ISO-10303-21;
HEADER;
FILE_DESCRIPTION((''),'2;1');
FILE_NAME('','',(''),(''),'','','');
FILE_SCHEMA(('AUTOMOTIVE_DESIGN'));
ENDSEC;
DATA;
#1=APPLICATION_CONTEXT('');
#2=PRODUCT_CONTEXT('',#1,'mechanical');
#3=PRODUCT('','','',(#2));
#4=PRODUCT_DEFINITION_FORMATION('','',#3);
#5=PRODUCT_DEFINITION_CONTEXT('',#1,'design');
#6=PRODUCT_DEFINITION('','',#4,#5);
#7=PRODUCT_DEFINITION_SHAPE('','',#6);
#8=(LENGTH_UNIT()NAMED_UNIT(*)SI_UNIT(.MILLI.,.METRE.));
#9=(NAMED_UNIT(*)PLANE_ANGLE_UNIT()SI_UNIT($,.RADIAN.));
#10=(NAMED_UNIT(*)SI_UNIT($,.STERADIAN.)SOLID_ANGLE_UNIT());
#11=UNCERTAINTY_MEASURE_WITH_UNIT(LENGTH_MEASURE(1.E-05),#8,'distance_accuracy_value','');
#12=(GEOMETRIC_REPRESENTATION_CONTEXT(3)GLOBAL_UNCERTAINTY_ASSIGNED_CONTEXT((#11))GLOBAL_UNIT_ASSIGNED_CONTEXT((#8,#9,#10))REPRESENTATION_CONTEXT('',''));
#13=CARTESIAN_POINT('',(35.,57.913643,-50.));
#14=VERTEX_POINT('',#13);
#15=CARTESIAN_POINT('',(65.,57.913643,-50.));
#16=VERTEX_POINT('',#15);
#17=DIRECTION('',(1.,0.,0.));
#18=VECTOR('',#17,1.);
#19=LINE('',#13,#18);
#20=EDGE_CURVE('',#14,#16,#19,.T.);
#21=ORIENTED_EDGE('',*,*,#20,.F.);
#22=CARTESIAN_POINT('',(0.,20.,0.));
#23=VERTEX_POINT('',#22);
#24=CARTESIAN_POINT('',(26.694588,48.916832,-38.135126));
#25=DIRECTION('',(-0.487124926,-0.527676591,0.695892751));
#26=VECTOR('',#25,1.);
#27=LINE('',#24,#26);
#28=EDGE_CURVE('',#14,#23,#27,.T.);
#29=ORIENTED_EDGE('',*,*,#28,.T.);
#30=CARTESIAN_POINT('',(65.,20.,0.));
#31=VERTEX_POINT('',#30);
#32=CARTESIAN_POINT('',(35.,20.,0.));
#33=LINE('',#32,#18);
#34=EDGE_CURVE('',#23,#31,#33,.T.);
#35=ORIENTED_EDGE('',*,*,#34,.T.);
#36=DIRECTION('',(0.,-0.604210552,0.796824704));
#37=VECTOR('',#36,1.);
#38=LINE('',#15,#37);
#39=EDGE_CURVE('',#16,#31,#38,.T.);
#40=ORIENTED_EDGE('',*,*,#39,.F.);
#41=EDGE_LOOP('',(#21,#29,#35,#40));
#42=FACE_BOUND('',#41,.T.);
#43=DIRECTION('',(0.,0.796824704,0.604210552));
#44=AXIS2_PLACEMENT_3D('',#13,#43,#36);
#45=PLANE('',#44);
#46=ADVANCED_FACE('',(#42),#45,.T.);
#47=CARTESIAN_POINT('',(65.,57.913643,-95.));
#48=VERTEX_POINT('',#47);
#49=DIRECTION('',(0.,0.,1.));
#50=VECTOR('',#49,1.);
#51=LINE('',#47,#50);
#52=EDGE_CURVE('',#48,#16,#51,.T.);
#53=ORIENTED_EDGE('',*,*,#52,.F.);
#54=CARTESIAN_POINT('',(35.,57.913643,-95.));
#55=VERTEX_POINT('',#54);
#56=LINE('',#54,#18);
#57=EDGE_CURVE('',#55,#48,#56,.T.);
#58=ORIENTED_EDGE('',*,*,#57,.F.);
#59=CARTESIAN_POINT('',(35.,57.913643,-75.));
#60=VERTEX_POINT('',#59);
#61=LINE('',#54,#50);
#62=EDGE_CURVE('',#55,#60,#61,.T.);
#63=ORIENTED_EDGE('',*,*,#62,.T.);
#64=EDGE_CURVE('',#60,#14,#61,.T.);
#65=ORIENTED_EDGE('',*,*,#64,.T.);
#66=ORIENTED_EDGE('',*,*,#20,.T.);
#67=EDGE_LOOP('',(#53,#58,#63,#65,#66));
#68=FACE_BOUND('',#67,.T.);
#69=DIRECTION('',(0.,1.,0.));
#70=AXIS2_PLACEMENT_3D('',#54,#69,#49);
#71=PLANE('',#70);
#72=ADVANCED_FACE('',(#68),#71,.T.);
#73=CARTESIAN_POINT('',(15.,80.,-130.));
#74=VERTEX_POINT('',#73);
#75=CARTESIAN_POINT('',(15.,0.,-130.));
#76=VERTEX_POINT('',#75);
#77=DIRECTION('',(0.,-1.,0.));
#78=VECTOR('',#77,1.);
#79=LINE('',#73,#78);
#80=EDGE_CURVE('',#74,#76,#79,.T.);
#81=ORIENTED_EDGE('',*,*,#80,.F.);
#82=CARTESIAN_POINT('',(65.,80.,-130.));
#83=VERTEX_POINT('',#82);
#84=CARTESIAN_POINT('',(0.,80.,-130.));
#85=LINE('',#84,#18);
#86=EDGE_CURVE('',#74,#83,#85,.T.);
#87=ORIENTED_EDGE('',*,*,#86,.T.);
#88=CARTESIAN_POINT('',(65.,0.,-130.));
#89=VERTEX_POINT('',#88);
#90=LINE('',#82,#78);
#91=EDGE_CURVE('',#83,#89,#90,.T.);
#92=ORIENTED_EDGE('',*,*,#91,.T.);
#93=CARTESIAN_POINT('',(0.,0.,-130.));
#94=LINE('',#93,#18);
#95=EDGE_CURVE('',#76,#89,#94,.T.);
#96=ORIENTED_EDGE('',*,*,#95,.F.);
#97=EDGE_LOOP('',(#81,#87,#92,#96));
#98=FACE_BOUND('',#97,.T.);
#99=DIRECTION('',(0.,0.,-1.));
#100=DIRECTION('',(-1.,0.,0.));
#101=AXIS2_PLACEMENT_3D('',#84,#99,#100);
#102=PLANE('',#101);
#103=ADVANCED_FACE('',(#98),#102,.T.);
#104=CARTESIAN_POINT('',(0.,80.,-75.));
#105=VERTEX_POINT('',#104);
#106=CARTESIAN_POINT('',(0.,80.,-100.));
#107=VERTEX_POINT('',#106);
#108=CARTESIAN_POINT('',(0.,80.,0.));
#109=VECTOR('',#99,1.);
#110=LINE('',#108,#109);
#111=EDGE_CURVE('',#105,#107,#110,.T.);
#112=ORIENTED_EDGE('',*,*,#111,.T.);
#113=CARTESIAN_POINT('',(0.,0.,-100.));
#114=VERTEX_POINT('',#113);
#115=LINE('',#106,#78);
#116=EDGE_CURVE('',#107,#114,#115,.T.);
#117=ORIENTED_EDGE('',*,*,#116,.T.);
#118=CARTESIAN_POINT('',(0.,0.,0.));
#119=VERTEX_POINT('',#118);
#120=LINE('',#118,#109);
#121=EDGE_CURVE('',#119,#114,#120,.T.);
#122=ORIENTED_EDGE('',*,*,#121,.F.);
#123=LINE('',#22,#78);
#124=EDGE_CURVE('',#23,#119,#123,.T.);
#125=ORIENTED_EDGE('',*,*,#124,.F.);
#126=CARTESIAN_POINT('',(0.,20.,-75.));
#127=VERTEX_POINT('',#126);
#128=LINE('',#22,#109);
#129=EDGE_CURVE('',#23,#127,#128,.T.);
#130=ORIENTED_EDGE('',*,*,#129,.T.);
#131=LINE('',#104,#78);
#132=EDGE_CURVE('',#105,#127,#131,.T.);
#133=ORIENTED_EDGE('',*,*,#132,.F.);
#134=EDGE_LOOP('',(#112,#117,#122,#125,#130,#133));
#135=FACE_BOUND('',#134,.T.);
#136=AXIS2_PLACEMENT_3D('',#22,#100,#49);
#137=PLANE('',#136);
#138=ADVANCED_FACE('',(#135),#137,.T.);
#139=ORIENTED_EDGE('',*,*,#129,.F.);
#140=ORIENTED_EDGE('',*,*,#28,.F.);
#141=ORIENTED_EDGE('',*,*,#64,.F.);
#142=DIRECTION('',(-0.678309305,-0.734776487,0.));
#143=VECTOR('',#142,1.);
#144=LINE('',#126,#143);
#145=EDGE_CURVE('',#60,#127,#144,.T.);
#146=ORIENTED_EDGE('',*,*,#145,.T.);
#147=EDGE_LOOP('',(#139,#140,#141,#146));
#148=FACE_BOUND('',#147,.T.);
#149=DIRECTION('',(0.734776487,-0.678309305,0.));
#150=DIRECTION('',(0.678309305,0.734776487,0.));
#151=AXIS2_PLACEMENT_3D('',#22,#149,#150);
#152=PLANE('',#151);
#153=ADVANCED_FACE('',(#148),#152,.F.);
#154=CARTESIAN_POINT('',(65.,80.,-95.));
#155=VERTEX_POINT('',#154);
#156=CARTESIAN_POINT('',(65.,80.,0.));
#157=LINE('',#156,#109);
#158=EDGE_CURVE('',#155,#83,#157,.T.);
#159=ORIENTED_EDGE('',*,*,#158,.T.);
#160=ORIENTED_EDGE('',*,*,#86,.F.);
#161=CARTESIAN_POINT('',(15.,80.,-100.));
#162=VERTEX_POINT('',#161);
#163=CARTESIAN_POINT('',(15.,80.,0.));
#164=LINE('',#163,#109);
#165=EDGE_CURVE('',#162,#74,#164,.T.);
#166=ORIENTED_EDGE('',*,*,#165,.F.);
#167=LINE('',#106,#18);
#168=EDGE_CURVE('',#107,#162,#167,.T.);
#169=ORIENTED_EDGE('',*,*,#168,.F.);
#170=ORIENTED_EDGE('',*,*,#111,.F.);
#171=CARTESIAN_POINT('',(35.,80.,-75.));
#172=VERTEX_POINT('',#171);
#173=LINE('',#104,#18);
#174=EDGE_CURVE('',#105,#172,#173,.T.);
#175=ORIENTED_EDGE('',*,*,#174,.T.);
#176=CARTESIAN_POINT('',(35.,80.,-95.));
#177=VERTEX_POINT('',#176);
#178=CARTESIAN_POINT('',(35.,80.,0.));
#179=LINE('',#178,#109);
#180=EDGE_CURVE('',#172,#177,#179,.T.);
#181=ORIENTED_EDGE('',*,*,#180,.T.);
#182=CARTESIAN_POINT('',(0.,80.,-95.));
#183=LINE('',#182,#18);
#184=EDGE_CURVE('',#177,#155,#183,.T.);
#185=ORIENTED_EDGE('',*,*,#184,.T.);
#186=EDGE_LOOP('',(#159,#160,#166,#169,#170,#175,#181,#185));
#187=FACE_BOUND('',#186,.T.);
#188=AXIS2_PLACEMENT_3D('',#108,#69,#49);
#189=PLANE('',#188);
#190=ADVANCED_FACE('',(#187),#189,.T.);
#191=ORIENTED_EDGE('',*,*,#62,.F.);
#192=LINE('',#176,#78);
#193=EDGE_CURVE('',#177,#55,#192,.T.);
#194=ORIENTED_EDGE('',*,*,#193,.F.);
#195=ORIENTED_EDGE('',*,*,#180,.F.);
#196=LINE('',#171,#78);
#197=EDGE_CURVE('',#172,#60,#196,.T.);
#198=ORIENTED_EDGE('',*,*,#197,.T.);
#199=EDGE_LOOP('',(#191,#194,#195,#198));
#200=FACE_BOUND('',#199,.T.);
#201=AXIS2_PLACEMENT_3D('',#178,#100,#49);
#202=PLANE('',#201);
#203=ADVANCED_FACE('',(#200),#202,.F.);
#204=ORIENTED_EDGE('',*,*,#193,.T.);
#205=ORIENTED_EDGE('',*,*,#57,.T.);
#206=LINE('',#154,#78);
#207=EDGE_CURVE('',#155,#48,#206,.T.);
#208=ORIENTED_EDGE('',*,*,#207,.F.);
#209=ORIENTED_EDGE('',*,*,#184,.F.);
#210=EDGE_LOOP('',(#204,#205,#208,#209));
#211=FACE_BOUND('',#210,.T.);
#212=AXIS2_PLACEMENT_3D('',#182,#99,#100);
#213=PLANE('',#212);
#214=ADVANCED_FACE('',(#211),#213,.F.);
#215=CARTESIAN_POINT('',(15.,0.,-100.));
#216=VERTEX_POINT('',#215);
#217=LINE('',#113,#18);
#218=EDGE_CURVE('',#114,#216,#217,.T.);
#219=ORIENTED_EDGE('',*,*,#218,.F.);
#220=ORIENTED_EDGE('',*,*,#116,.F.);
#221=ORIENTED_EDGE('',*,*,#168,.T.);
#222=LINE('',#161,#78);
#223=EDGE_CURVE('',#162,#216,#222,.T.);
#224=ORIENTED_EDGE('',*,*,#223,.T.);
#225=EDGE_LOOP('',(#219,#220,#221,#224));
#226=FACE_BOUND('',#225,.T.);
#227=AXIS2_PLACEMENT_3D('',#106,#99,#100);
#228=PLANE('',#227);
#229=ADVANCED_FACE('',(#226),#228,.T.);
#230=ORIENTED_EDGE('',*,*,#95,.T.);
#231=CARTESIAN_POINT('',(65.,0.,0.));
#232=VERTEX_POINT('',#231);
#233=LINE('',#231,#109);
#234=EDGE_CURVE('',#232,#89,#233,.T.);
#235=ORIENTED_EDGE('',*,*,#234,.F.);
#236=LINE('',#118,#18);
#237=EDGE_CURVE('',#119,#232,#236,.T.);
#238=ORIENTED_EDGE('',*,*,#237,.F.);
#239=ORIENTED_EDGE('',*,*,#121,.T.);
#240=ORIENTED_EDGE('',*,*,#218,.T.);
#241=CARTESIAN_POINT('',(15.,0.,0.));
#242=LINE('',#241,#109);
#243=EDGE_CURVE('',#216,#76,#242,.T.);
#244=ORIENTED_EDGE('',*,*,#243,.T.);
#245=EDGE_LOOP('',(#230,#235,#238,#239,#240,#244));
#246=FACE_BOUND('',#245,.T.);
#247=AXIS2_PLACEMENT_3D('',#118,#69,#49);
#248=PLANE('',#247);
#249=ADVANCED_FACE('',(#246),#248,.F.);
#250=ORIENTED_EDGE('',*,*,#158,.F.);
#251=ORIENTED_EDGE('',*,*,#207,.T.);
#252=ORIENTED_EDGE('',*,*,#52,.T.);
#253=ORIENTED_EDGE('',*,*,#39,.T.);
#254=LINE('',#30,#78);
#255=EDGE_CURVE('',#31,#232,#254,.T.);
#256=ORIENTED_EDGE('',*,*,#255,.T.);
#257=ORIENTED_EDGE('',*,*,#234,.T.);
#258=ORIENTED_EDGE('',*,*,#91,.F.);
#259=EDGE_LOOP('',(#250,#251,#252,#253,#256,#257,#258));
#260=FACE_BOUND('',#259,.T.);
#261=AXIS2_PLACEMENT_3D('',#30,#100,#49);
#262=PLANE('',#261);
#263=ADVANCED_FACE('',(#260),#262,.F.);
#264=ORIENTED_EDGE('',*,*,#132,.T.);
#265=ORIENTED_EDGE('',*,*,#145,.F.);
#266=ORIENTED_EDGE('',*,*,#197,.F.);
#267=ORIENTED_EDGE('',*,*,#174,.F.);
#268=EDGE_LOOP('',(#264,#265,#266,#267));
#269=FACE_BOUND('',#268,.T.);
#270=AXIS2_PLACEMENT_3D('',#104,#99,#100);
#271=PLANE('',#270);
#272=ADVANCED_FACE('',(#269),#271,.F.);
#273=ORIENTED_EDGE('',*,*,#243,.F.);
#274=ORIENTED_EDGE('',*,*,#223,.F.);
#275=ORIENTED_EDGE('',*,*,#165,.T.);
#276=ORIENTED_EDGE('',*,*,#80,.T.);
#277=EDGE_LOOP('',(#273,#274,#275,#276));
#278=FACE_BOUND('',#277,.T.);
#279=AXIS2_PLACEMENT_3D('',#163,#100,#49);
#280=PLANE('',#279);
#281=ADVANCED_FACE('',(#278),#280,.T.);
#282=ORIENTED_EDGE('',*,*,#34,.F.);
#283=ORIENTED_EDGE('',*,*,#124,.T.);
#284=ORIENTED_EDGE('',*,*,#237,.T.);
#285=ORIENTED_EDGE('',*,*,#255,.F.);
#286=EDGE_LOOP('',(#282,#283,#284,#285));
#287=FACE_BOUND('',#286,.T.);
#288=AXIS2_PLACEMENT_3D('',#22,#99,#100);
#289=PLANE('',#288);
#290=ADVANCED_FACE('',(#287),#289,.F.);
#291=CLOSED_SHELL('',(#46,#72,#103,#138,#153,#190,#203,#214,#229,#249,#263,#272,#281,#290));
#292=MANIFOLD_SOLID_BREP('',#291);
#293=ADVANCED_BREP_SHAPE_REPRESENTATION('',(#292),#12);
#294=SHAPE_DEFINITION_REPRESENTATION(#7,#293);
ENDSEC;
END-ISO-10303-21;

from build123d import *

# Parameters (mm, degrees)
BOSS_EXTRUDE1_DEPTH = 20
BOSS_EXTRUDE2_DEPTH = 80
BOSS_EXTRUDE6_DEPTH = 30
BOSS_EXTRUDE7_DEPTH = 75
CUT_EXTRUDE1_REACH  = 158.605


with BuildPart() as part:
    # Sketch1 → Boss-Extrude1 (new body)
    with BuildSketch(Plane(origin=(0, 0, 0), x_dir=(1, 0, 0), z_dir=(0, 1, 0))):
        Polygon((35, 75), (0, 75), (0, 0), (65, 0), (65, 95), (35, 95), align=None)
    extrude(amount=BOSS_EXTRUDE1_DEPTH)

    # Sketch1<3> → Boss-Extrude2 (add)
    with BuildSketch(Plane(origin=(0, 0, 0), x_dir=(1, 0, 0), z_dir=(0, 1, 0))):
        Polygon((15, 130), (15, 100), (0, 100), (0, 75), (35, 75), (35, 95), (65, 95), (65, 100), (65, 130), align=None)
    extrude(amount=BOSS_EXTRUDE2_DEPTH)

    # Sketch8 → Boss-Extrude6 (add)
    with BuildSketch(Plane(origin=(65, 0, 0), x_dir=(0, 0, -1), z_dir=(1, 0, 0))):
        Polygon((95, 57.913643311), (50, 57.913643311), (0, 20), (95, 20), align=None)
    extrude(amount=-BOSS_EXTRUDE6_DEPTH)

    # Sketch9 → Boss-Extrude7 (add)
    with BuildSketch(Plane.XY.offset(-75)):
        Polygon((0, 20), (35, 57.913643311), (35, 20), align=None)
    extrude(amount=BOSS_EXTRUDE7_DEPTH)

    # Sketch10 → Cut-Extrude1 (cut, up to next)
    with BuildSketch(Plane(origin=(35, 0, 0), x_dir=(0, 0, -1), z_dir=(1, 0, 0)), mode=Mode.PRIVATE) as cut_extrude1_sk1:
        Polygon((0, 57.913643311), (50, 57.913643311), (0, 20), align=None)
    cut_extrude1_tool1 = extrude(cut_extrude1_sk1.sketch, amount=-CUT_EXTRUDE1_REACH, mode=Mode.PRIVATE) & part.part
    add(cut_extrude1_tool1.solids().sort_by_distance((35, 45.275762, -16.666667))[0], mode=Mode.SUBTRACT)


solid = part.part
